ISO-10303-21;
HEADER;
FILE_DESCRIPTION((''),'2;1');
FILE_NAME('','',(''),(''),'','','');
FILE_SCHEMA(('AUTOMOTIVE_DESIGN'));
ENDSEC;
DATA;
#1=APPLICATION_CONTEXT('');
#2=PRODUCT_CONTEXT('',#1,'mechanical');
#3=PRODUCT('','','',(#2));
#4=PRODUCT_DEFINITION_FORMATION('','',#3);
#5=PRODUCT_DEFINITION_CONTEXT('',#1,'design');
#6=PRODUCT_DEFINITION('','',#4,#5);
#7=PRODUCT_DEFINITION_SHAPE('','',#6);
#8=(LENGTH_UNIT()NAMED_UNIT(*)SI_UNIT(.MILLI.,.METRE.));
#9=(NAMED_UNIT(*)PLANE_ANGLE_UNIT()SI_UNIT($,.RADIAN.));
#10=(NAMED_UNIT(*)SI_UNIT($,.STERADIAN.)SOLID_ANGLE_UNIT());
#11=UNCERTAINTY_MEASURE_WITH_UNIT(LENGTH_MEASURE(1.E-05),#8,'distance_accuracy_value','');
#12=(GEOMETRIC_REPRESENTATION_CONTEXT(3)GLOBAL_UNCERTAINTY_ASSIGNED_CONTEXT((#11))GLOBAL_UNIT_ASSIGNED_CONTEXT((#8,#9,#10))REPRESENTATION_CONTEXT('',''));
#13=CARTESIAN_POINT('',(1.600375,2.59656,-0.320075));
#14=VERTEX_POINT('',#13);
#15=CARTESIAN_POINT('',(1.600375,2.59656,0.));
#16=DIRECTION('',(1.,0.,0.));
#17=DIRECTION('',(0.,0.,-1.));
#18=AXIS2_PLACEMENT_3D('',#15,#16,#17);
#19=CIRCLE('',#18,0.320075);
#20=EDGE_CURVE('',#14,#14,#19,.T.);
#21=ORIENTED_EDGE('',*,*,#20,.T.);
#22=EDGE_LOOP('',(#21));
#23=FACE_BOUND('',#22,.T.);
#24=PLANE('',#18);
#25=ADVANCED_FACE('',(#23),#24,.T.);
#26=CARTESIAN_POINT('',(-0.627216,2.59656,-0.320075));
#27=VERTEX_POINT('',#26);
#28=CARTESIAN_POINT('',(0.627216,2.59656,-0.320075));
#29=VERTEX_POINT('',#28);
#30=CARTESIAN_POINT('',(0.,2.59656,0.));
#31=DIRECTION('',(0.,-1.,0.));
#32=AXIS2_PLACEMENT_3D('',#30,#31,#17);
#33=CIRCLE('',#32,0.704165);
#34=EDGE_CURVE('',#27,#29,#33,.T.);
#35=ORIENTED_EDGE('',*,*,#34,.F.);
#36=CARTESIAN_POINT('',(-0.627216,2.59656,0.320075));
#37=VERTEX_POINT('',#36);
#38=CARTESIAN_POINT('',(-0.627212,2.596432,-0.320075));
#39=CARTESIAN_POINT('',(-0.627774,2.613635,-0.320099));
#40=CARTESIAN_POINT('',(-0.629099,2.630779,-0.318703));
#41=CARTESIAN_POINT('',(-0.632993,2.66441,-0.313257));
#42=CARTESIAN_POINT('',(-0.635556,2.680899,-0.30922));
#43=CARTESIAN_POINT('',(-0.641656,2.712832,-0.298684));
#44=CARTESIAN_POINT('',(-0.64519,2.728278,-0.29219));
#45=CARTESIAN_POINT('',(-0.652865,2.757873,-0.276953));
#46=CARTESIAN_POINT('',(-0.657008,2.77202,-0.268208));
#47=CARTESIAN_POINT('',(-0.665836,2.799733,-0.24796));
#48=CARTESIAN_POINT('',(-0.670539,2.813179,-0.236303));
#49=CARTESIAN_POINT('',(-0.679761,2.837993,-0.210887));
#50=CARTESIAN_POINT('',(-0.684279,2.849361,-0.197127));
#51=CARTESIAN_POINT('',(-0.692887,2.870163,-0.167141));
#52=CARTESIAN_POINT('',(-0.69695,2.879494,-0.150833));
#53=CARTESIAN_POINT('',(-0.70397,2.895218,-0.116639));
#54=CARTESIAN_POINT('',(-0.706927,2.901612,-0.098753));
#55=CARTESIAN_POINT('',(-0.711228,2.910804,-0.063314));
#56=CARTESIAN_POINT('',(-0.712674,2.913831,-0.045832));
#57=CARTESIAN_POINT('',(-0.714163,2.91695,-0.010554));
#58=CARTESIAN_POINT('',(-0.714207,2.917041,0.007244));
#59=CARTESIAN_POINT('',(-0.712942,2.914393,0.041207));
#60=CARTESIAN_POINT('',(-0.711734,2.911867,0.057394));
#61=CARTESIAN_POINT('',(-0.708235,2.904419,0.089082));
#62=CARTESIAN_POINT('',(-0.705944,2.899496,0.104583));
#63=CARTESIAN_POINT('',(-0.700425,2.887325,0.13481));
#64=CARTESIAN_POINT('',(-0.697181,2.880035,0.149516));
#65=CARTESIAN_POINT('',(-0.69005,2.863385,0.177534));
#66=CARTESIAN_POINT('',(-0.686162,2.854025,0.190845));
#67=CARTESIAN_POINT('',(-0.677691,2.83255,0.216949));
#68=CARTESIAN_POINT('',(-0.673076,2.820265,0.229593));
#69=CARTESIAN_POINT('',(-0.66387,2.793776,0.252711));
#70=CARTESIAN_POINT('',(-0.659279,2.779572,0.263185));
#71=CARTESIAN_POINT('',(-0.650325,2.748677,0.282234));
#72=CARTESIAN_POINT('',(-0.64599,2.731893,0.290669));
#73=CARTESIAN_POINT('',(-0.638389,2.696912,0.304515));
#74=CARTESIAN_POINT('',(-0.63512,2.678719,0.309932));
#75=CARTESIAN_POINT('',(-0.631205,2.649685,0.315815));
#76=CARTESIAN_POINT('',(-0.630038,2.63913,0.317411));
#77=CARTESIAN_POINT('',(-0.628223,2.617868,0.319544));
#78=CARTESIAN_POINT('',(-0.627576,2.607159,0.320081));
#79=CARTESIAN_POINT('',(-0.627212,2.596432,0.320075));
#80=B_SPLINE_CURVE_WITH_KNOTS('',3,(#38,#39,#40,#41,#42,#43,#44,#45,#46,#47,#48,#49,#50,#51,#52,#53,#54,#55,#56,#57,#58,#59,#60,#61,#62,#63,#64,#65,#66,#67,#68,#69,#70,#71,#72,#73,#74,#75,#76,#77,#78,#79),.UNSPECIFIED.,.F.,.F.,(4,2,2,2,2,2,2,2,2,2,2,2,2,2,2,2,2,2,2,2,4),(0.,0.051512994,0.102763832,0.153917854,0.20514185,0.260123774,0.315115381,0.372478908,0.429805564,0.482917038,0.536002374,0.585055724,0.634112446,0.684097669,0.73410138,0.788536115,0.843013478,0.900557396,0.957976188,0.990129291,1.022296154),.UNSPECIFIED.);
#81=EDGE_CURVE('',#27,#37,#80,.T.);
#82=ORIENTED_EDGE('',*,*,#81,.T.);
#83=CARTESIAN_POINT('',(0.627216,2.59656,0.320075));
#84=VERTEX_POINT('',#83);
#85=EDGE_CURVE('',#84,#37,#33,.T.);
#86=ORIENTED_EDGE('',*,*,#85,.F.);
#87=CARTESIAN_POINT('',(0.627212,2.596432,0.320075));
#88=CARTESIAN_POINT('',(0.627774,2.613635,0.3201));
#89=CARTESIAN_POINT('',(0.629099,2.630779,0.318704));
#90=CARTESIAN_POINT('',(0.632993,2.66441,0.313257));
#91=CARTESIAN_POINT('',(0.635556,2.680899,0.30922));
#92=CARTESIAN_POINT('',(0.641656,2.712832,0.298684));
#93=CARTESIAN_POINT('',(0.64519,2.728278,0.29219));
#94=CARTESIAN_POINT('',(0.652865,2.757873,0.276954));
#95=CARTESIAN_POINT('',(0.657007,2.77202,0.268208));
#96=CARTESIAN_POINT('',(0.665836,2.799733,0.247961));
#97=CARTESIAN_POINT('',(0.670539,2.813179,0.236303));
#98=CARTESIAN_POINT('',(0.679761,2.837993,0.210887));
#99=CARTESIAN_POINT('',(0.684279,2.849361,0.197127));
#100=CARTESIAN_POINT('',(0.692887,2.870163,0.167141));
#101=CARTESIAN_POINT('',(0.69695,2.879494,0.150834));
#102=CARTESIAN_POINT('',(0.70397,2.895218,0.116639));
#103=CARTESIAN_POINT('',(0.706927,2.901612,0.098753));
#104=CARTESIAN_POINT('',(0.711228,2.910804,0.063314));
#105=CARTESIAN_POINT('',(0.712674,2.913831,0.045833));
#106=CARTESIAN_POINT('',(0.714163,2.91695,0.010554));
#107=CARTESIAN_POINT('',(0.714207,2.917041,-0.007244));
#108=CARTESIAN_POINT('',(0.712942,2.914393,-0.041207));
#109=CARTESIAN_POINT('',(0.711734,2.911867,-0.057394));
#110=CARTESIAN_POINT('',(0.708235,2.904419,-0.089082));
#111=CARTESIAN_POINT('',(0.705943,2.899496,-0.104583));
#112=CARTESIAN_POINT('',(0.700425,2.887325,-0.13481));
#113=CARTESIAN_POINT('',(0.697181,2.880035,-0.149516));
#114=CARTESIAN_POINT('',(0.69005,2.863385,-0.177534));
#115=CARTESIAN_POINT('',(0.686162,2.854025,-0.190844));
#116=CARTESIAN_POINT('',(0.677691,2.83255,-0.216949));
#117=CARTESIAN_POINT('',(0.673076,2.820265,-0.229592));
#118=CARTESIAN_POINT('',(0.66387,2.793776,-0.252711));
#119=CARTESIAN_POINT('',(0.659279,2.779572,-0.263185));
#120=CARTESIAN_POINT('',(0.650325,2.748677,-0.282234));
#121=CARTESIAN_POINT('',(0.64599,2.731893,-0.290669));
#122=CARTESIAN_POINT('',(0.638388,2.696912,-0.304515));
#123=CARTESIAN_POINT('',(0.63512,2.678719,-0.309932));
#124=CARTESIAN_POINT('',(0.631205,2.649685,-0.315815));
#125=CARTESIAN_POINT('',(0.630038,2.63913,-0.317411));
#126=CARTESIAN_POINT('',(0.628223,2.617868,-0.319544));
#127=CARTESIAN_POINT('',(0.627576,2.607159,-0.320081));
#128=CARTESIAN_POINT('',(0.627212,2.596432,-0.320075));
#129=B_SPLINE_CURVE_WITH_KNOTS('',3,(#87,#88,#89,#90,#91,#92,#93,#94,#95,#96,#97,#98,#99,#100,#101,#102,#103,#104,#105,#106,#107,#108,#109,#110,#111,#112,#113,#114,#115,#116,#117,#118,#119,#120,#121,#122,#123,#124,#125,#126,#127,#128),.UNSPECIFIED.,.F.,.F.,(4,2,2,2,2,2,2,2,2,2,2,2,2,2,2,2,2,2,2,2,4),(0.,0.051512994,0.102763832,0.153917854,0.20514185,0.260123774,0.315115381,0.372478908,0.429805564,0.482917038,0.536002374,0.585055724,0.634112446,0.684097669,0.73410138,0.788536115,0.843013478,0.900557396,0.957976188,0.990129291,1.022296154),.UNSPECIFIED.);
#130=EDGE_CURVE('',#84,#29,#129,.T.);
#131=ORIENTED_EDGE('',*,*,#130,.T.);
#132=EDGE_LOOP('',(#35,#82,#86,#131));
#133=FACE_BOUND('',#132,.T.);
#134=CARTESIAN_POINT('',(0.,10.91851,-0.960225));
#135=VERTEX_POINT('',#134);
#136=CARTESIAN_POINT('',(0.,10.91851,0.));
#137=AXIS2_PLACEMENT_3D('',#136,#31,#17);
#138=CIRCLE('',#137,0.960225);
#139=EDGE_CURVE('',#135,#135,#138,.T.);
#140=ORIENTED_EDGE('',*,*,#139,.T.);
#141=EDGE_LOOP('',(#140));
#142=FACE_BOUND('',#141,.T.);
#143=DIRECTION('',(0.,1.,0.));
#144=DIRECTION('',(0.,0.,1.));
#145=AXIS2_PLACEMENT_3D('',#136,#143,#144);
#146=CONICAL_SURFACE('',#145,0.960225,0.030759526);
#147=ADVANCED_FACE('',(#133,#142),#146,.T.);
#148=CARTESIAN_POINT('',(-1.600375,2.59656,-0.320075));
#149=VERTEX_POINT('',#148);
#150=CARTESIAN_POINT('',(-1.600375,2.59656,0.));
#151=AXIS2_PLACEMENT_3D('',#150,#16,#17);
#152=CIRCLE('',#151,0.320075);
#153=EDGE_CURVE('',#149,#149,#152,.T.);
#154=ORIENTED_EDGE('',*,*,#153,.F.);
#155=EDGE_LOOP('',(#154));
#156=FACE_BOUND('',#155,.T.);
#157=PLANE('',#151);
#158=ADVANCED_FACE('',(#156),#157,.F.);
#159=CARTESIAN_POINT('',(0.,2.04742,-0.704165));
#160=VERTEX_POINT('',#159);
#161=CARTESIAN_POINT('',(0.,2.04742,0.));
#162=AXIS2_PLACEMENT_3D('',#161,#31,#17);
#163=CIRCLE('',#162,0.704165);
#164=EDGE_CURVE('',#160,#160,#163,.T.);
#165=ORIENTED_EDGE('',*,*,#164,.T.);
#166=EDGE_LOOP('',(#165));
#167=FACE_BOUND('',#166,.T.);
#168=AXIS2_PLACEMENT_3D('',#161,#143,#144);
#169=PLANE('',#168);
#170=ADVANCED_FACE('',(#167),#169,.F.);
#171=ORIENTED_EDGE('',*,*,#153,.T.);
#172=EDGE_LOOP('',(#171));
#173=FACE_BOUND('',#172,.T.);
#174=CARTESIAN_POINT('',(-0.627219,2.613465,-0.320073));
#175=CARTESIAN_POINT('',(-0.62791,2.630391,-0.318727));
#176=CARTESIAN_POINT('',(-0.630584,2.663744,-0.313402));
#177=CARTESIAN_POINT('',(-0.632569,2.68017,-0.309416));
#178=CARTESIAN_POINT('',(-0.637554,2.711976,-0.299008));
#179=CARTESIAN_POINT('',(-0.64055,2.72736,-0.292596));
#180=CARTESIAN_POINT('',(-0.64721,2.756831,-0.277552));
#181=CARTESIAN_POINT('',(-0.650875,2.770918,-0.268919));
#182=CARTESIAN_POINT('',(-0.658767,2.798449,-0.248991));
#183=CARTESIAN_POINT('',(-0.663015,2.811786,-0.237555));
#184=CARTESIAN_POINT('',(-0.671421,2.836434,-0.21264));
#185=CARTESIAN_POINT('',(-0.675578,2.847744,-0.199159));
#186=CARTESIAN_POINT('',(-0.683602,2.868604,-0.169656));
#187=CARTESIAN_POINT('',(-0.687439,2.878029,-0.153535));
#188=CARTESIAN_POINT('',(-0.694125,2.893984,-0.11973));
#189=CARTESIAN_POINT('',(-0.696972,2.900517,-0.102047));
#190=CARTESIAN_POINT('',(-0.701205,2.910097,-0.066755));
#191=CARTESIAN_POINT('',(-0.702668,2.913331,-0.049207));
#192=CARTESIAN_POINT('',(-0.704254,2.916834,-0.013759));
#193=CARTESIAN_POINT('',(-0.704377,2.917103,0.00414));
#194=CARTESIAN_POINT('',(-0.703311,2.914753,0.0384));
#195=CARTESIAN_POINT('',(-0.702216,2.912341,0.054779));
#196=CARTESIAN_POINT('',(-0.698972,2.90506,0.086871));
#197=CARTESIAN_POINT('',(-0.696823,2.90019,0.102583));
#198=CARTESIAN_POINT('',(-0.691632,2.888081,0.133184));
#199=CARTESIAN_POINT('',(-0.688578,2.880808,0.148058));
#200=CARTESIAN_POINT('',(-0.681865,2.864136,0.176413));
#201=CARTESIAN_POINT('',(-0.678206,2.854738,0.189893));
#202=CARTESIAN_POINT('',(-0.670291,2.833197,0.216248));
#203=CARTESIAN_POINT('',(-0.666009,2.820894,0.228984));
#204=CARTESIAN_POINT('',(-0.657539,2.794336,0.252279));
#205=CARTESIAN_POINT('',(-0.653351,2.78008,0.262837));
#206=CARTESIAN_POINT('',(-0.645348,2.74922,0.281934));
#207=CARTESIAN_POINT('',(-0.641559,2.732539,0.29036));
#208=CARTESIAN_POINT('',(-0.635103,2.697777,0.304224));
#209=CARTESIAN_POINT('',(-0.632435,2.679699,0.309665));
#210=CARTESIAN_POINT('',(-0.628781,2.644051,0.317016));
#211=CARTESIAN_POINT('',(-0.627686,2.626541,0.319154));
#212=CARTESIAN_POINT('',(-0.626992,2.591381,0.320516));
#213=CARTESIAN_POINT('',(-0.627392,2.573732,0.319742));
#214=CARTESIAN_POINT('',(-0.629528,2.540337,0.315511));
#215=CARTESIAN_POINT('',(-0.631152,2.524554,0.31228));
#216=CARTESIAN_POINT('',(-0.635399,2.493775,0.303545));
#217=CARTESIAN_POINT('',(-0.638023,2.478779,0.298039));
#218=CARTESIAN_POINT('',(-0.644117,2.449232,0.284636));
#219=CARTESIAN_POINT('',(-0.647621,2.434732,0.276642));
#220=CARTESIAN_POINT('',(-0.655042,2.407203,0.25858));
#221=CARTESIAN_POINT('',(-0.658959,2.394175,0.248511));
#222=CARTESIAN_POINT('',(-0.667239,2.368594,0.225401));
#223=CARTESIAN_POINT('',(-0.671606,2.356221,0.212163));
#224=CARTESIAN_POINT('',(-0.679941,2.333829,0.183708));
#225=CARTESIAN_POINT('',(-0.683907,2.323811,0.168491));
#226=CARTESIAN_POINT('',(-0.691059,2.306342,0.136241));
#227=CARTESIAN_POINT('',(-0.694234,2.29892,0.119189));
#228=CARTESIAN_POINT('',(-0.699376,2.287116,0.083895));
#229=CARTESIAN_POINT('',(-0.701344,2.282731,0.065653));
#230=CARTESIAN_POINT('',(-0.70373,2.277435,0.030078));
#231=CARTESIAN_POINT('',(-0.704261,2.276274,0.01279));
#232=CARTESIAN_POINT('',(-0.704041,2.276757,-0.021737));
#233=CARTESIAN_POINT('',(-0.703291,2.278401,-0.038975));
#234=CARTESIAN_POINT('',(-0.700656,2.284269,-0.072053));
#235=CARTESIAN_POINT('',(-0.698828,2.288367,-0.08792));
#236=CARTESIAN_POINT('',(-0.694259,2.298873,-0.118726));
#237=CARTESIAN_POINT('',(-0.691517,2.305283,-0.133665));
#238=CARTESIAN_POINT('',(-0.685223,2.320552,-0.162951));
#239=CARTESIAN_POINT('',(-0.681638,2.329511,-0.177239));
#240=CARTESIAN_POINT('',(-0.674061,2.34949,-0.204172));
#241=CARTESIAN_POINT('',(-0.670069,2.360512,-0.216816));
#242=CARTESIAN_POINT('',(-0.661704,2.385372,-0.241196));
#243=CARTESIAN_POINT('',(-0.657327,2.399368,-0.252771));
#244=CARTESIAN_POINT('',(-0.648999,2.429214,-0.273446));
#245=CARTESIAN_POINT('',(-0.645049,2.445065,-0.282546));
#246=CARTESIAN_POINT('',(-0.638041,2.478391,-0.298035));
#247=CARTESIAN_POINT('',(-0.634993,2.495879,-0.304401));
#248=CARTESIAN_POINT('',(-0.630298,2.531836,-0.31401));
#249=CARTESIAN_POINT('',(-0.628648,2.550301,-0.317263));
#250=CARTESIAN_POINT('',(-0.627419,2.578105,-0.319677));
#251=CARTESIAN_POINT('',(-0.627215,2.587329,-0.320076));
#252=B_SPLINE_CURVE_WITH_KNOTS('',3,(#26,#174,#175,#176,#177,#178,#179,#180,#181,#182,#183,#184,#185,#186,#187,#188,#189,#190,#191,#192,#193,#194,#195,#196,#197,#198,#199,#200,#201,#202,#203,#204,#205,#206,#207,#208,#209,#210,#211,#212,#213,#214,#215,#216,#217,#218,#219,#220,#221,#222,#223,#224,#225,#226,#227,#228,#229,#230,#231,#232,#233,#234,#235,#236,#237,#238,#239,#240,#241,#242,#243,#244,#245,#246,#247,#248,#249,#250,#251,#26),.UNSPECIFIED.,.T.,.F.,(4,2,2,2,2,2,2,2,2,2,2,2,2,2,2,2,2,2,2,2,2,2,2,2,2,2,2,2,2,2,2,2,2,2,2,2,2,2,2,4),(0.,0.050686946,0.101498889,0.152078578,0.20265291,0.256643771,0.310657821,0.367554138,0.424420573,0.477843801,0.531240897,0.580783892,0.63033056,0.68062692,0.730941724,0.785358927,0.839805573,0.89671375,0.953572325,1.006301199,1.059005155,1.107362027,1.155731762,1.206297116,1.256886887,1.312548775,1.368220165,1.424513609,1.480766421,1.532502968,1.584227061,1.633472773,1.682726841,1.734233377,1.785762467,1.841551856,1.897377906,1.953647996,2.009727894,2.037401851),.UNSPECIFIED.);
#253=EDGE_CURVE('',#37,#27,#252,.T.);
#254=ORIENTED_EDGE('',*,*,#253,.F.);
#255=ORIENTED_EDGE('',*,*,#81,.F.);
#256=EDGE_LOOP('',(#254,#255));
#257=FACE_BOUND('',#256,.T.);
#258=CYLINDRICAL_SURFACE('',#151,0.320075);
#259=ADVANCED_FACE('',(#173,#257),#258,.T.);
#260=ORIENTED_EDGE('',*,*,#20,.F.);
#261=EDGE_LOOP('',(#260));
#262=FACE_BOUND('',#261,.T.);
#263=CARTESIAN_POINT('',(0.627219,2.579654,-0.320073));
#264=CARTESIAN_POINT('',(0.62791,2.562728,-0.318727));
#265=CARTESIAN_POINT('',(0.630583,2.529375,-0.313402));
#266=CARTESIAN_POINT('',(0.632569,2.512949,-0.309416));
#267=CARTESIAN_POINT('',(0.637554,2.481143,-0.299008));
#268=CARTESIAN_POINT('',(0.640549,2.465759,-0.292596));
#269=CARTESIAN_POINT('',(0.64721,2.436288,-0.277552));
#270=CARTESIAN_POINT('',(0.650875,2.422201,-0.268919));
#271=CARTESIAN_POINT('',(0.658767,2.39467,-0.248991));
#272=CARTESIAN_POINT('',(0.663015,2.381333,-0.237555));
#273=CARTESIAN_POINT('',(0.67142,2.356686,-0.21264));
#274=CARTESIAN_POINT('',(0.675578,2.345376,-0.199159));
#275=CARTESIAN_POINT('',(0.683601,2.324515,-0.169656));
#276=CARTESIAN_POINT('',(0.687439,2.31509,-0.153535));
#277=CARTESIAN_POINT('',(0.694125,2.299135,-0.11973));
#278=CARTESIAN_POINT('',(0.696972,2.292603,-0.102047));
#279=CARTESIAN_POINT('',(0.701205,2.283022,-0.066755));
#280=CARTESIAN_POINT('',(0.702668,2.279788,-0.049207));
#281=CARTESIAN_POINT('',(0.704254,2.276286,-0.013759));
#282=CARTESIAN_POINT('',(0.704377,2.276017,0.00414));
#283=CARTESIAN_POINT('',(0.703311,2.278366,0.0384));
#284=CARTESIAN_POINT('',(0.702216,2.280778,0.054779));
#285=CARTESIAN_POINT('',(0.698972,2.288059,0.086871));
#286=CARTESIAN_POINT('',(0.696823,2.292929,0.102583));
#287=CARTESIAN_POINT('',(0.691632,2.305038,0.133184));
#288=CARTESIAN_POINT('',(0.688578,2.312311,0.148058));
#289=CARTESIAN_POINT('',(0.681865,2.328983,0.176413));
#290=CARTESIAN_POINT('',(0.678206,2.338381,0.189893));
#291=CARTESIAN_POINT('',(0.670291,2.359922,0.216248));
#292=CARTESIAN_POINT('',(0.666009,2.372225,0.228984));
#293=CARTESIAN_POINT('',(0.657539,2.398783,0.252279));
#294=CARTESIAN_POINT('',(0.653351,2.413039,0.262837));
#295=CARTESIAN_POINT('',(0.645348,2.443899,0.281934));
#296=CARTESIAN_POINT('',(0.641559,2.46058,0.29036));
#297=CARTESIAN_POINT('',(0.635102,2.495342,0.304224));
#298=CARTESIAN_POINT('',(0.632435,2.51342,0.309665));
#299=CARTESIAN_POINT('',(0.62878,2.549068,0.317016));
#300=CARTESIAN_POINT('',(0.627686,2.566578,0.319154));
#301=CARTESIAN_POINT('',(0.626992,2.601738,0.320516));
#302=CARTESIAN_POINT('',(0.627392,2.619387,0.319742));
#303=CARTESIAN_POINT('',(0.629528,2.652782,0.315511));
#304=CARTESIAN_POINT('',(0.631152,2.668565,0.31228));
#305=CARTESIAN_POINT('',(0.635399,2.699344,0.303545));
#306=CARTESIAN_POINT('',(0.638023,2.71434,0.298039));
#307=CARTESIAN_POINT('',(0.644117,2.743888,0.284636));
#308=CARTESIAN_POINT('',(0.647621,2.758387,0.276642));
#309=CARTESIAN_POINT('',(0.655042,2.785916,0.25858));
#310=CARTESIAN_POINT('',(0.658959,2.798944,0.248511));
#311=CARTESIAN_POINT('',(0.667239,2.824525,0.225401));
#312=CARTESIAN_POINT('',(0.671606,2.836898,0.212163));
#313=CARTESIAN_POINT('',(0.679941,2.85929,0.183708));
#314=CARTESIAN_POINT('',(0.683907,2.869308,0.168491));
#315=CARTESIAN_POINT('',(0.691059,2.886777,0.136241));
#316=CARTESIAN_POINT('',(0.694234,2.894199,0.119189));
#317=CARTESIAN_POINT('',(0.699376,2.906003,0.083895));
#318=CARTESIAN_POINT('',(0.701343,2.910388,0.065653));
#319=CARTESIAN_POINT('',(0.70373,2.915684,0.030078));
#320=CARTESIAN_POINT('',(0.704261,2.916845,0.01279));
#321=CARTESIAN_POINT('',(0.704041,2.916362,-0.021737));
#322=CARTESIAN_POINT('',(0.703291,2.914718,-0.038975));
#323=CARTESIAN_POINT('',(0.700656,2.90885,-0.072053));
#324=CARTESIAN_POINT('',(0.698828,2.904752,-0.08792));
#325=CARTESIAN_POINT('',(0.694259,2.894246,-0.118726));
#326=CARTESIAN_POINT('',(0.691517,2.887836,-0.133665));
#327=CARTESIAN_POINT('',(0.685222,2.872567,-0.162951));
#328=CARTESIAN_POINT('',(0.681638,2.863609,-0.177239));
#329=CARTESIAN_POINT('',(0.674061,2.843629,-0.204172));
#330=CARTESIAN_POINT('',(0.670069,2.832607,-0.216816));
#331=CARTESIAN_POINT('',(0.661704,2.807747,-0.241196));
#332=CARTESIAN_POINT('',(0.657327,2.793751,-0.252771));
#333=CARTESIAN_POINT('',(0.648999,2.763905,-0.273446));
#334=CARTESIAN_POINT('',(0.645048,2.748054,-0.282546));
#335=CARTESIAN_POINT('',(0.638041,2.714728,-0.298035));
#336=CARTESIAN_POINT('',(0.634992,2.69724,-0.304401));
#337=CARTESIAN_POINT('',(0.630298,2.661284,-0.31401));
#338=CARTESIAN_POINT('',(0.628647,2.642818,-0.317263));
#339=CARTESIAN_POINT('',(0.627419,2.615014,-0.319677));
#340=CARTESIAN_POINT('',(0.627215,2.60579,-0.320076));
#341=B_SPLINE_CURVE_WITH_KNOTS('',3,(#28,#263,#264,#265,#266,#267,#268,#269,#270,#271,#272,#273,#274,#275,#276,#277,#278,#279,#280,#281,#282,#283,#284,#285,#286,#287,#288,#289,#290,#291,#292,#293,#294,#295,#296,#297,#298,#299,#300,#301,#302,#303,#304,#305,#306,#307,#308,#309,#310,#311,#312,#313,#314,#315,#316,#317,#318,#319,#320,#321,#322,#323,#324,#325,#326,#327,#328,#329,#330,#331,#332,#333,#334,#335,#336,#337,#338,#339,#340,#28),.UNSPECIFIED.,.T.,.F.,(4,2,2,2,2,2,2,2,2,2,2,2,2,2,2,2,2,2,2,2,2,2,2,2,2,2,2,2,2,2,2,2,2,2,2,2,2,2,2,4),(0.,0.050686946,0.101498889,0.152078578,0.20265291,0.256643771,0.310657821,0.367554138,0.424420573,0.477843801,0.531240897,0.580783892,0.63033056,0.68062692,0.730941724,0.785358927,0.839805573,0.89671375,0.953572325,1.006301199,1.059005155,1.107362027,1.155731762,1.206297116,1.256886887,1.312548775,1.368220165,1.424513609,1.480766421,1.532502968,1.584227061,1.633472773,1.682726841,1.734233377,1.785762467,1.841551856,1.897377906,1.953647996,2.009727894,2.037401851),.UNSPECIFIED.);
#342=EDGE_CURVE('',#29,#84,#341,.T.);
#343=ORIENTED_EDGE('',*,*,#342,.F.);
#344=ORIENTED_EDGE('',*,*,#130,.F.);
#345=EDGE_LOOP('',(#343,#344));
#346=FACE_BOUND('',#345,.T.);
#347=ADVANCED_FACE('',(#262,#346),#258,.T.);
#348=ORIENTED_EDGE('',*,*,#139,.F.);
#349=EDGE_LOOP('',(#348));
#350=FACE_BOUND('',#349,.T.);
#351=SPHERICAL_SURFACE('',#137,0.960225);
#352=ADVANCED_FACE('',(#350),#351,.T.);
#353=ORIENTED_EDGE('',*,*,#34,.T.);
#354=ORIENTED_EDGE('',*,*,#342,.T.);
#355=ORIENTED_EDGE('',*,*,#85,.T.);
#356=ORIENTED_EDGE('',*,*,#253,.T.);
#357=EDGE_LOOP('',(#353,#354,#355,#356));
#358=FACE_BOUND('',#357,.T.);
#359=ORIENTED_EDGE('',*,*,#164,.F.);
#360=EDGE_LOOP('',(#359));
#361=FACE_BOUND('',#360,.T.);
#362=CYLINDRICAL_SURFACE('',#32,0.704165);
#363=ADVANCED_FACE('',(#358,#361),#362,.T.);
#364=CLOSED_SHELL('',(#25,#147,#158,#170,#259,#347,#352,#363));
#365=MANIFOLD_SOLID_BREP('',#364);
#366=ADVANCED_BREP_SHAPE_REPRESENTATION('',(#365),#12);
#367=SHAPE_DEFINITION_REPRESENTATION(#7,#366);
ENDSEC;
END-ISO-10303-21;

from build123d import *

# Parameters (mm, degrees)
BOSS_EXTRU_1_DEPTH      = 2.5
BOSS_EXTRU_1_DEPTH_BACK = 2.5
ESQUISSE2_R             = 0.5
SCALE1_SCALE            = 0.64015


with BuildPart() as part:
    # Esquisse1 → Révolution1 (revolve)
    with BuildSketch(Plane(origin=(0, 0, 0), x_dir=(0, 0, -1), z_dir=(1, 0, 0))):
        with BuildLine():
            Line((1.49716245, 12.907779617), (1.5, 13))
            ThreePointArc((1.5, 13), (1.060660172, 14.060660172), (0, 14.5))
            Line((0, 14.5), (0, -0.857830241))
            Line((0, -0.857830241), (1.1, -0.857830241))
            Line((1.1, -0.857830241), (1.1, 0))
            Line((1.1, 0), (1.49716245, 12.907779617))
        make_face()
    revolve(axis=Axis((0, 0, 0), (0, 1, 0)))

    # Esquisse2 → Boss.-Extru.1 (add, two sides: drawn at the far end of the back side and taken through both)
    with BuildSketch(Plane(origin=(0, 0, 0), x_dir=(0, 0, -1), z_dir=(1, 0, 0)).offset(-BOSS_EXTRU_1_DEPTH_BACK)):
        Circle(ESQUISSE2_R)
    extrude(amount=BOSS_EXTRU_1_DEPTH + BOSS_EXTRU_1_DEPTH_BACK)


with BuildPart() as part_1:
    # Scale1: scaled about (-2e-09, 7.215672935, 2e-09)
    add(part.part.scale(SCALE1_SCALE).moved(Location((-1e-09, 2.596559906, 1e-09))))


solid = part_1.part
